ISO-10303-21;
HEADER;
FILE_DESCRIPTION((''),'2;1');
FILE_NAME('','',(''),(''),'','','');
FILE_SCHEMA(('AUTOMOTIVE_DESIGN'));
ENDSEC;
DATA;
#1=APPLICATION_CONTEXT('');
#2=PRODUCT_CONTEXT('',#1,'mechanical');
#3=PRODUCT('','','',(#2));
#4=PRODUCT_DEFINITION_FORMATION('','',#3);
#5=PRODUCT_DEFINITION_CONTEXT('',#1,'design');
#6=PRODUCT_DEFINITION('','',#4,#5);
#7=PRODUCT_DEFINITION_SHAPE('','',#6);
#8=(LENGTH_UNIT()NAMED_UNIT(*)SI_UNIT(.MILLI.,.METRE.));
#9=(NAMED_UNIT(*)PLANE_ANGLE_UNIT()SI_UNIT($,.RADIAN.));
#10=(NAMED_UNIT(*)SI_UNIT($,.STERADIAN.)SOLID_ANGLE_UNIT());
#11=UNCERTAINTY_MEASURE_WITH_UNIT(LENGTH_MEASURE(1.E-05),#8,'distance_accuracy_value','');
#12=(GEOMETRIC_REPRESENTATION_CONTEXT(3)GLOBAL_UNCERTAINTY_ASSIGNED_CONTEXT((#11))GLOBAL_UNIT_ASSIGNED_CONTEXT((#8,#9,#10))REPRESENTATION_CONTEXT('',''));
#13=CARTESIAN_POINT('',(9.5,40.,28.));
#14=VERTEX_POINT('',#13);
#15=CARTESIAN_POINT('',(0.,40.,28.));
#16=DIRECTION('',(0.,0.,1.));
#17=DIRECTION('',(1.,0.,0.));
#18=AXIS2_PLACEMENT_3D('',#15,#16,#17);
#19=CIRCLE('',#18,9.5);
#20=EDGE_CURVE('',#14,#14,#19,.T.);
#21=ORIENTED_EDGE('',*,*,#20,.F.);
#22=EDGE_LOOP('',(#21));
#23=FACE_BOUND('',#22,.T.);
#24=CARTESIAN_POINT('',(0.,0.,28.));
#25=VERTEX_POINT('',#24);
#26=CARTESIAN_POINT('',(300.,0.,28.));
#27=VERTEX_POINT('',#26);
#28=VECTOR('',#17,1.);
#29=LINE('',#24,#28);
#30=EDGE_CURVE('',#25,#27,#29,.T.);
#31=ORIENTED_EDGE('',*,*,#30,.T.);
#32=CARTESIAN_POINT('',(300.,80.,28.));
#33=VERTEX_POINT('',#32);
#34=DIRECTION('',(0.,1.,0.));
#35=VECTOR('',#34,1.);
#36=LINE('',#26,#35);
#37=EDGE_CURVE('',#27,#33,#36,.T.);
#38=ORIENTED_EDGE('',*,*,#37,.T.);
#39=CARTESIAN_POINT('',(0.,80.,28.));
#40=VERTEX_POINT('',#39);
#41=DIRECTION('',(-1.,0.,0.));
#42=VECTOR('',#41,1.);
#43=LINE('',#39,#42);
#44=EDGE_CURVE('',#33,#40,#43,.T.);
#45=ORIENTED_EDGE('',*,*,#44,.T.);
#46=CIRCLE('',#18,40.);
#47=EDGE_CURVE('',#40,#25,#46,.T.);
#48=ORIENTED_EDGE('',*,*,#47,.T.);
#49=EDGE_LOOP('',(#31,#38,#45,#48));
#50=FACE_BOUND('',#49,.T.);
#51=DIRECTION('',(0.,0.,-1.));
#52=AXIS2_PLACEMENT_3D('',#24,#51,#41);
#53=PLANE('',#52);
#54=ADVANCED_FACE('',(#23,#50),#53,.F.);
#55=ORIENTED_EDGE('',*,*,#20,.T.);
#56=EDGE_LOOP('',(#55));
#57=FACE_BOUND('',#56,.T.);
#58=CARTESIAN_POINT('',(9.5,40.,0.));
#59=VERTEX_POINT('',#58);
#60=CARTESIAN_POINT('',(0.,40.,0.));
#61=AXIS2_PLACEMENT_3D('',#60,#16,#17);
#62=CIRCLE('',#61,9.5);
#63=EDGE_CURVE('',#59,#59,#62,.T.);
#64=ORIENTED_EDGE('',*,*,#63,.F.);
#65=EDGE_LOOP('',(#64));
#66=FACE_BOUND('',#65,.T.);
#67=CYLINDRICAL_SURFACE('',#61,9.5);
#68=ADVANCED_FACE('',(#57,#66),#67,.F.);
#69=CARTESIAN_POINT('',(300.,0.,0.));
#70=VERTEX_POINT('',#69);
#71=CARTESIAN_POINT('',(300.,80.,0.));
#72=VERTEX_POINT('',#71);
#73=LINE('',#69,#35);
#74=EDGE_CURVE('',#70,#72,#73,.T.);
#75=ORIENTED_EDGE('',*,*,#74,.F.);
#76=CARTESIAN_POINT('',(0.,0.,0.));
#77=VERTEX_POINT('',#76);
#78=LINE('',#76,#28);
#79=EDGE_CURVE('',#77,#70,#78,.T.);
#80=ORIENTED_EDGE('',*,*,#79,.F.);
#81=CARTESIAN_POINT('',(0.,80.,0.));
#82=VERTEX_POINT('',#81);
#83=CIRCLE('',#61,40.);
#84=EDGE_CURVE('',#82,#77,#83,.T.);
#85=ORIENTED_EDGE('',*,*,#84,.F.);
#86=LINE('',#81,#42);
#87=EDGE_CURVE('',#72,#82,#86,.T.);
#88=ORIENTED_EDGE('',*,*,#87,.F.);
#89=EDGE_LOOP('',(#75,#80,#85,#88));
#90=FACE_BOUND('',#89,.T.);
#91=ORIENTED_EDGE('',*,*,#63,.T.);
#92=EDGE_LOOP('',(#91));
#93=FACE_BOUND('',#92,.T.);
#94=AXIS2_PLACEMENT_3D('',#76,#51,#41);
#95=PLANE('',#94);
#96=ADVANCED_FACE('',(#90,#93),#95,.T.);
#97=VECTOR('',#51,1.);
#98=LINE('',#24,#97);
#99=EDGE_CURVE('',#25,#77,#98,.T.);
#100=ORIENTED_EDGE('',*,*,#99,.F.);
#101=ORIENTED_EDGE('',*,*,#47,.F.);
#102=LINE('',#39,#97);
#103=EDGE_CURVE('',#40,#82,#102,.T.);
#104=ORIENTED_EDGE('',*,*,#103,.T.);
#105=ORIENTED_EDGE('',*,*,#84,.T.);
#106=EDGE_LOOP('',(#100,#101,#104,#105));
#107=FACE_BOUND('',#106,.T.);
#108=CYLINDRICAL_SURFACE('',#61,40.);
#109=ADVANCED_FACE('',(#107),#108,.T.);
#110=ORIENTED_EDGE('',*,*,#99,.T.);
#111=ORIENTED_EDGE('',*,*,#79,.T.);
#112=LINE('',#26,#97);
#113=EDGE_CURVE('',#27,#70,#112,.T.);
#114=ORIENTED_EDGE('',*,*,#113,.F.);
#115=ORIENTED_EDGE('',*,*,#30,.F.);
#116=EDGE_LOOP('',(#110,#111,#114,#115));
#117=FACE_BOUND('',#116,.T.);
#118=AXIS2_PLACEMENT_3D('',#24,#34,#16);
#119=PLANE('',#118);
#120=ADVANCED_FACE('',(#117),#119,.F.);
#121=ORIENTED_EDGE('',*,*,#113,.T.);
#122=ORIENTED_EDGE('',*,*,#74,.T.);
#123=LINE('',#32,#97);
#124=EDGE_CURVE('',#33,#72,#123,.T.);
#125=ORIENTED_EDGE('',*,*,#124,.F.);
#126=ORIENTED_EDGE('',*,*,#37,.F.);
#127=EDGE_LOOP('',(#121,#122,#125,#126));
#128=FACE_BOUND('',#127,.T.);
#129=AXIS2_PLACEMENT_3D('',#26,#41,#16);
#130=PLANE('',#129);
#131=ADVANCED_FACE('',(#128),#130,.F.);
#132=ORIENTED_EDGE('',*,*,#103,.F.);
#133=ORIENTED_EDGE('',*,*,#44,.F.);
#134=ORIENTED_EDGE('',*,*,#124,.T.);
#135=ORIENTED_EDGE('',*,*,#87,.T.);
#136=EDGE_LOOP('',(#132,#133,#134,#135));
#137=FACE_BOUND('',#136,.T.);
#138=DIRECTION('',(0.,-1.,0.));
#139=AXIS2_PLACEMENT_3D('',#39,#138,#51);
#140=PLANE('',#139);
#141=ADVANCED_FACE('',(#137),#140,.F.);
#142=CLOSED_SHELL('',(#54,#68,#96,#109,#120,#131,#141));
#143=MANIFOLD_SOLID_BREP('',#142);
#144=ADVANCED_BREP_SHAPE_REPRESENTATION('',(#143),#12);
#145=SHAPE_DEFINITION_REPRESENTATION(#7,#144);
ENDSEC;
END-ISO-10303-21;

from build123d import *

# Parameters (mm, degrees)
SKETCH1_W               = 300
SKETCH1_H               = 80
BOSS_EXTRUDE1_DEPTH     = 28
SKETCH2_R               = 40
BOSS_EXTRUDE2_DEPTH     = 28
CUT_EXTRUDE2_DEPTH      = 312.743484294
CUT_EXTRUDE2_DEPTH_BACK = 312.743484294
SKETCH3_R               = 9.5


with BuildPart() as part:
    # Sketch1 → Boss-Extrude1 (new body)
    with BuildSketch(Plane.XY):
        with Locations((150, 40)):
            Rectangle(SKETCH1_W, SKETCH1_H)
    extrude(amount=BOSS_EXTRUDE1_DEPTH)

    # Sketch2 → Boss-Extrude2 (add)
    with BuildSketch(Plane.XY.offset(28)):
        with Locations((0, 40)):
            Circle(SKETCH2_R)
    extrude(amount=-BOSS_EXTRUDE2_DEPTH)

    # Sketch3 → Cut-Extrude2 (cut, two sides: drawn at the far end of the back side and taken through both)
    with BuildSketch(Plane.XY.offset(28).offset(-CUT_EXTRUDE2_DEPTH_BACK)):
        with Locations((0, 40)):
            Circle(SKETCH3_R)
    extrude(amount=CUT_EXTRUDE2_DEPTH + CUT_EXTRUDE2_DEPTH_BACK, mode=Mode.SUBTRACT)


solid = part.part
